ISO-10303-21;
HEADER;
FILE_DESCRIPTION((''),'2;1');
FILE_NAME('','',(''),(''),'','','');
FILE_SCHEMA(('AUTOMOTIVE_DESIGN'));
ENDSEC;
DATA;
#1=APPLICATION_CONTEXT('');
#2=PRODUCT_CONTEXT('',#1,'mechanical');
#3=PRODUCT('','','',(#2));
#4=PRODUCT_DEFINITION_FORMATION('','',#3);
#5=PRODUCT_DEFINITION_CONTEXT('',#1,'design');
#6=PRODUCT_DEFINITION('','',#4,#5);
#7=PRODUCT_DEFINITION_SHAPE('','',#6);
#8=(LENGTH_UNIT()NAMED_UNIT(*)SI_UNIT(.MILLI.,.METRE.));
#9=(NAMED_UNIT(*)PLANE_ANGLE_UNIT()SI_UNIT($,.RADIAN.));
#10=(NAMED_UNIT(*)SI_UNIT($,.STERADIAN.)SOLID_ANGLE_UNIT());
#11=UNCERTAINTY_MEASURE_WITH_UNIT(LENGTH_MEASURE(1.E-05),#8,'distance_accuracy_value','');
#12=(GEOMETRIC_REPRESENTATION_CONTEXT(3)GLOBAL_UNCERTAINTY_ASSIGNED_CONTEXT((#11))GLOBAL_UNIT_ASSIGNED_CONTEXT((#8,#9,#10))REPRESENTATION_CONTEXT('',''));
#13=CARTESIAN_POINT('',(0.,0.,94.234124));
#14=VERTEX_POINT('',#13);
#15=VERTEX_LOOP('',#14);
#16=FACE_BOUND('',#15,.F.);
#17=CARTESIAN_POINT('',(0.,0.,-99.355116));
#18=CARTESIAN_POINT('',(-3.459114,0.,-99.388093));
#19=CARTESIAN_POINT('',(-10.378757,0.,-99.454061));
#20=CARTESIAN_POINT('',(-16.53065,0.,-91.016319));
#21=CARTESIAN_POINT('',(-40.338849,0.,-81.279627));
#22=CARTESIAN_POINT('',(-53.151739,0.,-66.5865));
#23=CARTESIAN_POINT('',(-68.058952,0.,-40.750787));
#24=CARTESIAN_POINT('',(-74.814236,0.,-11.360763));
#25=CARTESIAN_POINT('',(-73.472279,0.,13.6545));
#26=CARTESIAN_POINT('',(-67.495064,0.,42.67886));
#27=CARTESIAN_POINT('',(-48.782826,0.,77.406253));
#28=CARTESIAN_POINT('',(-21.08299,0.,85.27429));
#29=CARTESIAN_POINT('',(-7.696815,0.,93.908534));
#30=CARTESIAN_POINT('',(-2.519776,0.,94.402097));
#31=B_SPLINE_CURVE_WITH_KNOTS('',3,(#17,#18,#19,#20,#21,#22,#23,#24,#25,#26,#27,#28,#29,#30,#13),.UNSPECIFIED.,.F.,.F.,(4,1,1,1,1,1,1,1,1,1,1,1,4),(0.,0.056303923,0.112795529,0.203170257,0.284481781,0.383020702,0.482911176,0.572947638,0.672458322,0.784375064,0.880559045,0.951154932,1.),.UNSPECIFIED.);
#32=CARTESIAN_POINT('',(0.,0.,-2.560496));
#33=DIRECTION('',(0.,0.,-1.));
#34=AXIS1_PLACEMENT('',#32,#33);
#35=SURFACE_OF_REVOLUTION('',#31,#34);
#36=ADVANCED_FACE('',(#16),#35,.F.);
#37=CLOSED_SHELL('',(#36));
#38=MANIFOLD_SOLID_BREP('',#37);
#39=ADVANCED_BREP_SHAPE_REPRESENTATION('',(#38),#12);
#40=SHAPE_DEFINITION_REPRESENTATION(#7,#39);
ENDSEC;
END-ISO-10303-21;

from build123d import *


with BuildPart() as f1:
    # F0 (on Front) → F1 (revolve)
    with BuildSketch(Plane.XZ):
        with BuildLine():
            Line((0, -99.3551164865), (0, 94.234123826))
            add(Edge.make_bspline(
                [(0, -99.3551164865), (-3.4591138661, -99.3880925971), (-10.3787567428, -99.4540609117), (-16.5306500169, -91.0163186885), (-40.3388486884, -81.2796272422), (-53.1517385278, -66.5865004507), (-68.0589521969, -40.7507871168), (-74.8142360224, -11.3607632004), (-73.4722794661, 13.6544997312), (-67.4950643703, 42.6788602359), (-48.7828257647, 77.4062525585), (-21.0829899346, 85.2742899309), (-7.6968146438, 93.9085338341), (-2.5197763462, 94.4020971656), (0, 94.234123826)],
                knots=[0, 0, 0, 0, 0.056303923, 0.1127955285, 0.2031702572, 0.2844817808, 0.3830207017, 0.4829111755, 0.572947638, 0.6724583222, 0.7843750638, 0.8805590451, 0.9511549323, 1, 1, 1, 1], degree=3))
        make_face()
    revolve(axis=Axis((0, 0, -2.5604963303), (0, 0, -1)))


solid = f1.part
